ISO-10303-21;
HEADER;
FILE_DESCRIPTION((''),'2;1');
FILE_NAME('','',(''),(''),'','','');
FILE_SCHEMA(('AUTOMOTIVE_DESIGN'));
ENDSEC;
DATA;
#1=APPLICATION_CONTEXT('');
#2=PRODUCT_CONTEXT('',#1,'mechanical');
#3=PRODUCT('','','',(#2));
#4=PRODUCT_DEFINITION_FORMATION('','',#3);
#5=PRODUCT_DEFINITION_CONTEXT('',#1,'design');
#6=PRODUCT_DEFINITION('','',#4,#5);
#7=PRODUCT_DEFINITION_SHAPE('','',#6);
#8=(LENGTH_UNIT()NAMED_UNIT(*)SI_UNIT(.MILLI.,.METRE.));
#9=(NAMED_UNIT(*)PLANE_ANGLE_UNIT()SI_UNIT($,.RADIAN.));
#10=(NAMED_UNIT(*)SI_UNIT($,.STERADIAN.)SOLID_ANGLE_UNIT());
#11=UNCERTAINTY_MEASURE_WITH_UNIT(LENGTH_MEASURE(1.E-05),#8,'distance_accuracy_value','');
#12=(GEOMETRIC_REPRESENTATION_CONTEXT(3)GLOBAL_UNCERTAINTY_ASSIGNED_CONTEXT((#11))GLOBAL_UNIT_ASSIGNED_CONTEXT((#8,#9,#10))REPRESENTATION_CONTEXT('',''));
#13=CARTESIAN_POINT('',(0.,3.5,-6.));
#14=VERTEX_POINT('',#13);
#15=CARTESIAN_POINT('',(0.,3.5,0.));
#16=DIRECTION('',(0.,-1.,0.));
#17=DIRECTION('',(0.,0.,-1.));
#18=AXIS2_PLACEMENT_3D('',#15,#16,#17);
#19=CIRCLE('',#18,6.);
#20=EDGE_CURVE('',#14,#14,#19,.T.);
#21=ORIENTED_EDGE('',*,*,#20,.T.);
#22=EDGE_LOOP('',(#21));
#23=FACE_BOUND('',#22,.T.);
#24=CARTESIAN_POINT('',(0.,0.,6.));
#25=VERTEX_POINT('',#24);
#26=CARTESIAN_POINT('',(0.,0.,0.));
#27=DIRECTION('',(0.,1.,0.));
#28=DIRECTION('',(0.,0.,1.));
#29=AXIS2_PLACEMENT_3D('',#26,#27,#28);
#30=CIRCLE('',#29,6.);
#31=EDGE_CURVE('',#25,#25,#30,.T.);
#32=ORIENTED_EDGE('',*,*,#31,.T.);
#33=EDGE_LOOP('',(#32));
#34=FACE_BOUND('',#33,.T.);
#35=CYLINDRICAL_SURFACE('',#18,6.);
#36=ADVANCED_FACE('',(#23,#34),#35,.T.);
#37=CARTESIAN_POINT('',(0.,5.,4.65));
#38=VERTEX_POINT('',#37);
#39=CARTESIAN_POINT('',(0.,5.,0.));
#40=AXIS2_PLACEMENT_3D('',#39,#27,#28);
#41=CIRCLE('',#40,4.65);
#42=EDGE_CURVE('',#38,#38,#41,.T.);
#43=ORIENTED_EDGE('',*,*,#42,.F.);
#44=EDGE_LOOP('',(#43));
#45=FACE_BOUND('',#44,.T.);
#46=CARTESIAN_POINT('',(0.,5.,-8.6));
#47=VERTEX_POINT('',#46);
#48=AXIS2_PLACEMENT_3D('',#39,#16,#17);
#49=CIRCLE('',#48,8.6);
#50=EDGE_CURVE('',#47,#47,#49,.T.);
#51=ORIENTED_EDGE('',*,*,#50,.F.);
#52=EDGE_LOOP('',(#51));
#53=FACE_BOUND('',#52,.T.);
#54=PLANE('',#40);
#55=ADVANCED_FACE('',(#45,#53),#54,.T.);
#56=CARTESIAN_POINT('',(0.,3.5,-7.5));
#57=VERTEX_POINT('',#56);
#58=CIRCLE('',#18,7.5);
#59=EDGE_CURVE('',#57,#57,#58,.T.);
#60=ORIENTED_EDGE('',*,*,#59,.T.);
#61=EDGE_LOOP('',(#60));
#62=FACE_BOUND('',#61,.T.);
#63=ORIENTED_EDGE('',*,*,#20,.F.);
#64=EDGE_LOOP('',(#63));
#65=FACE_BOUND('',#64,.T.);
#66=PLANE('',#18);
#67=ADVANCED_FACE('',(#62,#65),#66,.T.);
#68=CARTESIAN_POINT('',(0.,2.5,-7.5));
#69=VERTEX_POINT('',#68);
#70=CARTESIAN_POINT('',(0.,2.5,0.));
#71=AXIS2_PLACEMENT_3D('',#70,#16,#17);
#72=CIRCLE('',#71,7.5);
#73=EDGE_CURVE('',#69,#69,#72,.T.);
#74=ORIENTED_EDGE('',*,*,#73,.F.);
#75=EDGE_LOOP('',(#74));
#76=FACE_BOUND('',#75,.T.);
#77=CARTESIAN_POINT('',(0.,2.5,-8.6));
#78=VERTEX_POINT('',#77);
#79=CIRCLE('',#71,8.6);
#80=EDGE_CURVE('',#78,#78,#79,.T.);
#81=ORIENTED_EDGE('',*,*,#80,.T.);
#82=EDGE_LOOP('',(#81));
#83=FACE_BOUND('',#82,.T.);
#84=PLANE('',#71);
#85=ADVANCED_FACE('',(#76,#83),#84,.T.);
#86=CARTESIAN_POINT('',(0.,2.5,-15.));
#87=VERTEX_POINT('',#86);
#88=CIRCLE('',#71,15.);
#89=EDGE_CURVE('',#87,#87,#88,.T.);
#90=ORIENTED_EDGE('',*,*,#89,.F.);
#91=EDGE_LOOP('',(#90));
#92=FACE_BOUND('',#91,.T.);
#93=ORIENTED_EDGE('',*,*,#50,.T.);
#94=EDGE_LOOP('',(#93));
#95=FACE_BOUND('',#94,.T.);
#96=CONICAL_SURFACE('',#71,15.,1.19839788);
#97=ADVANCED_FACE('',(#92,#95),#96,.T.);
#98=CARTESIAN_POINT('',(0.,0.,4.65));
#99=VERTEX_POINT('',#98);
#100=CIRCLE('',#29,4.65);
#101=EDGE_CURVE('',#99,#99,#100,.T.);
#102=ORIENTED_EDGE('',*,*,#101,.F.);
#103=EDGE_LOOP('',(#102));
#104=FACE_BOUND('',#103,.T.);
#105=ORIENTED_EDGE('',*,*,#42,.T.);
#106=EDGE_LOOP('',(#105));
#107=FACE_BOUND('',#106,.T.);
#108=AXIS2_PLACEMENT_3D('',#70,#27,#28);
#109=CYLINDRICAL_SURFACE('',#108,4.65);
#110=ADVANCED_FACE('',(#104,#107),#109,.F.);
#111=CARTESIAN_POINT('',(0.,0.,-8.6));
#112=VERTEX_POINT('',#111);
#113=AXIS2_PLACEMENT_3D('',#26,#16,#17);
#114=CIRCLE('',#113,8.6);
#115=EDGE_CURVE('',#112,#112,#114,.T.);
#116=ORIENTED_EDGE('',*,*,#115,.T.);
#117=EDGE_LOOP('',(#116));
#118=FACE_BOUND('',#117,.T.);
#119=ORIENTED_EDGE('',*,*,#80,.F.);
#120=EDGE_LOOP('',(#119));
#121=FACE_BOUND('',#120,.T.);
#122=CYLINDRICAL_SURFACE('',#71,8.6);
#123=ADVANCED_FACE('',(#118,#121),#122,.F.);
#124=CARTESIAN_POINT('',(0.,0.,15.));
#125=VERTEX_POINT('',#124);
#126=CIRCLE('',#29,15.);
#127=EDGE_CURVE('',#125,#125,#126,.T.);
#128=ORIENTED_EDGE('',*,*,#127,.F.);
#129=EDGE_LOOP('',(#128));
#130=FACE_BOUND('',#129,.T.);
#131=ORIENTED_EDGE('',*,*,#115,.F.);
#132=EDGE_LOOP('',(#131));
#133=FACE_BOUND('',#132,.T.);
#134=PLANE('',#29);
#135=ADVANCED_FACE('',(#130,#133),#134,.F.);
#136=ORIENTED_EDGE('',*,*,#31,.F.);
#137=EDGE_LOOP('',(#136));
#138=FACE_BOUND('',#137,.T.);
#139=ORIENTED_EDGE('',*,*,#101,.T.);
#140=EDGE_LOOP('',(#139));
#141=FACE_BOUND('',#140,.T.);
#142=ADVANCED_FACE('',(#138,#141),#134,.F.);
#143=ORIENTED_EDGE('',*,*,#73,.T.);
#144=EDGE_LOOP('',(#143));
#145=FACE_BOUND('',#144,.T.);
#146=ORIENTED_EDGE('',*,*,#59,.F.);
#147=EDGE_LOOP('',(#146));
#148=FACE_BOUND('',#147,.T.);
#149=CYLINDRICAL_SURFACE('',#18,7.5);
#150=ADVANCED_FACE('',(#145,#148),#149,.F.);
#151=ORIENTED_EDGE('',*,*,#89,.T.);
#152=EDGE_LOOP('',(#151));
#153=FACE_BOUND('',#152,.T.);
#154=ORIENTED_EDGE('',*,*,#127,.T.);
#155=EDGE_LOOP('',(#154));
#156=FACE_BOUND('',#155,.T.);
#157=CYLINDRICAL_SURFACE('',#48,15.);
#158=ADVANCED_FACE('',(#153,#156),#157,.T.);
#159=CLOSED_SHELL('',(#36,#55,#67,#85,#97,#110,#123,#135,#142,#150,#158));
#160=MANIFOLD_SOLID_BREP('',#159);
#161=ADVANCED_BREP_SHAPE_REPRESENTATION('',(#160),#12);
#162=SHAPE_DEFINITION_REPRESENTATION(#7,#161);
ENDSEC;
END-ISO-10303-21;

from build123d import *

# Parameters (mm, degrees)
SKETCH1_R           = 15
BOSS_EXTRUDE1_DEPTH = 5
SKETCH2_R           = 8.6
CUT_EXTRUDE1_DEPTH  = 2.5
SKETCH5_R           = 4.65
CUT_EXTRUDE2_DEPTH  = 2.5
CUT_EXTRUDE3_DEPTH  = 1
SKETCH7_R           = 6
SKETCH7_R_2         = 4.65
BOSS_EXTRUDE2_DEPTH = 2.5


with BuildPart() as part:
    # Sketch1 → Boss-Extrude1 (new body)
    with BuildSketch(Plane(origin=(0, 0, 0), x_dir=(1, 0, 0), z_dir=(0, 1, 0))):
        with Locations(Location((0, 0, 0), (0, 0, 270))):
            Circle(SKETCH1_R)
    extrude(amount=BOSS_EXTRUDE1_DEPTH)

    # Sketch2 → Cut-Extrude1 (cut)
    with BuildSketch(Plane.XZ):
        with Locations(Location((0, 0, 0), (0, 0, 270))):
            Circle(SKETCH2_R)
    extrude(amount=-CUT_EXTRUDE1_DEPTH, mode=Mode.SUBTRACT)

    # Sketch4 → Cut-Revolve1 (revolve, cut)
    with BuildSketch(Plane.XY, mode=Mode.PRIVATE) as cut_revolve1_sk:
        Polygon((8.6, 5), (15, 5), (15, 2.5), align=None)
    revolve(cut_revolve1_sk.sketch.rotate(Axis((0, 2.5, 0), (0, 1, 0)), 90), axis=Axis((0, 2.5, 0), (0, 1, 0)), mode=Mode.SUBTRACT)

    # Sketch5 → Cut-Extrude2 (cut)
    with BuildSketch(Plane(origin=(0, 5, 0), x_dir=(1, 0, 0), z_dir=(0, 1, 0))):
        with Locations(Location((0, 0, 0), (0, 0, 270))):
            Circle(SKETCH5_R)
    extrude(amount=-CUT_EXTRUDE2_DEPTH, mode=Mode.SUBTRACT)

    # Sketch6 → Cut-Extrude3 (cut)
    with BuildSketch(Plane.XZ.offset(-2.5)):
        with BuildLine():
            ThreePointArc((-0.757021, -7.461697), (7.461697, -0.757021), (0.757021, 7.461697))
            ThreePointArc((0.757021, 7.461697), (-7.461697, 0.757021), (-0.757021, -7.461697))
        make_face()
        with BuildLine():
            ThreePointArc((0.605617, 5.969357), (-5.969357, 0.605617), (-0.605617, -5.969357))
            ThreePointArc((-0.605617, -5.969357), (5.969357, -0.605617), (0.605617, 5.969357))
        make_face(mode=Mode.SUBTRACT)
    extrude(amount=-CUT_EXTRUDE3_DEPTH, mode=Mode.SUBTRACT)

    # Sketch7 → Boss-Extrude2 (add)
    with BuildSketch(Plane.XZ.offset(-2.5)):
        with Locations(Location((0, 0, 0), (0, 0, 270))):
            Circle(SKETCH7_R)
        with Locations(Location((0, 0, 0), (0, 0, 90))):
            Circle(SKETCH7_R_2, mode=Mode.SUBTRACT)
    extrude(amount=BOSS_EXTRUDE2_DEPTH)


solid = part.part
